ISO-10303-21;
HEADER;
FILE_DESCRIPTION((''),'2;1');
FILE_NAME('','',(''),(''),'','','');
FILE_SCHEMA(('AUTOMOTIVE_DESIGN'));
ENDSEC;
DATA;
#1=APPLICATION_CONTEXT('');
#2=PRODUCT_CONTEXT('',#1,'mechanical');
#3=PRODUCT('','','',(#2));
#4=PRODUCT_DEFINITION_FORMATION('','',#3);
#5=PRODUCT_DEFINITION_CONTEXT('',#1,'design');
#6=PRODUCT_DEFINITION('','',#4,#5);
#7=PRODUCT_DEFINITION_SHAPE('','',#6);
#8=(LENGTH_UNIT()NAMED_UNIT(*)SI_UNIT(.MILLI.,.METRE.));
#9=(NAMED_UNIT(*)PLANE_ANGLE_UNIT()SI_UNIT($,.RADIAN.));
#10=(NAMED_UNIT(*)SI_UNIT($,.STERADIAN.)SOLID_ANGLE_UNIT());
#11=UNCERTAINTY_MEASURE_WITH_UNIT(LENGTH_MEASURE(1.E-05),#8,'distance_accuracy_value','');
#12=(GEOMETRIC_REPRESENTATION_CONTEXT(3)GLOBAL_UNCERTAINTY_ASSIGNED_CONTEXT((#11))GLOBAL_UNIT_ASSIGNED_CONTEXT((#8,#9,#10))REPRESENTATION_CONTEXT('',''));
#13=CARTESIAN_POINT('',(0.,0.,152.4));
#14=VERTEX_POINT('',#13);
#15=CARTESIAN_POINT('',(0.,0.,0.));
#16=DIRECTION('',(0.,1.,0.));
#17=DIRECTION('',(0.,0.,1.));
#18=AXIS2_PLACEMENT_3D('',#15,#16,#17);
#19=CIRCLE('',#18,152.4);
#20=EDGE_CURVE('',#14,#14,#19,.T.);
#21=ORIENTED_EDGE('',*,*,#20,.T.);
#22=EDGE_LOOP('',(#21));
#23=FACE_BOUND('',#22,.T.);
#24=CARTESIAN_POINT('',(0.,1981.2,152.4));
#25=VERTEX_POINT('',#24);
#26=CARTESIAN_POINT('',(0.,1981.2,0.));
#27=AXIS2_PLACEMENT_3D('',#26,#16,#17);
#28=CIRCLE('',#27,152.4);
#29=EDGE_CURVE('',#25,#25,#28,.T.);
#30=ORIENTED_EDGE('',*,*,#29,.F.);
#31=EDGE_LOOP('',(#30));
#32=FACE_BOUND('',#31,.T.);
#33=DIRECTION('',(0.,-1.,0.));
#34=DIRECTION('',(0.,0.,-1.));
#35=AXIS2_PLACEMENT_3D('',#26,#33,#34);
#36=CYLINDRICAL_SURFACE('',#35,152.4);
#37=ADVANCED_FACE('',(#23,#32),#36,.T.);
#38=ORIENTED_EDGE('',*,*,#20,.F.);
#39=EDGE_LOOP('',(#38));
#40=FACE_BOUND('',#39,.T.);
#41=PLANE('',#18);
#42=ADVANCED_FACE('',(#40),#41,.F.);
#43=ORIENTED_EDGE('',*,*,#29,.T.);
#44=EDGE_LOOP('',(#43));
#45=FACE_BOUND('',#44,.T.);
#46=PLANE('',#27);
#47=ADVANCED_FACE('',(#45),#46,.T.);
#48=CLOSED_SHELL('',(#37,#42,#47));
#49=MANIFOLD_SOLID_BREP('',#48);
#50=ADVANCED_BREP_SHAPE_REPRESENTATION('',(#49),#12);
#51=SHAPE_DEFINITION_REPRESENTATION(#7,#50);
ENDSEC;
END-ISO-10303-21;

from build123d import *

# Parameters (mm, degrees)
SKETCH1_R           = 152.4
BOSS_EXTRUDE1_DEPTH = 1981.2


with BuildPart() as part:
    # Sketch1 → Boss-Extrude1 (new body)
    with BuildSketch(Plane(origin=(0, 0, 0), x_dir=(1, 0, 0), z_dir=(0, 1, 0))):
        Circle(SKETCH1_R)
    extrude(amount=BOSS_EXTRUDE1_DEPTH)


solid = part.part
